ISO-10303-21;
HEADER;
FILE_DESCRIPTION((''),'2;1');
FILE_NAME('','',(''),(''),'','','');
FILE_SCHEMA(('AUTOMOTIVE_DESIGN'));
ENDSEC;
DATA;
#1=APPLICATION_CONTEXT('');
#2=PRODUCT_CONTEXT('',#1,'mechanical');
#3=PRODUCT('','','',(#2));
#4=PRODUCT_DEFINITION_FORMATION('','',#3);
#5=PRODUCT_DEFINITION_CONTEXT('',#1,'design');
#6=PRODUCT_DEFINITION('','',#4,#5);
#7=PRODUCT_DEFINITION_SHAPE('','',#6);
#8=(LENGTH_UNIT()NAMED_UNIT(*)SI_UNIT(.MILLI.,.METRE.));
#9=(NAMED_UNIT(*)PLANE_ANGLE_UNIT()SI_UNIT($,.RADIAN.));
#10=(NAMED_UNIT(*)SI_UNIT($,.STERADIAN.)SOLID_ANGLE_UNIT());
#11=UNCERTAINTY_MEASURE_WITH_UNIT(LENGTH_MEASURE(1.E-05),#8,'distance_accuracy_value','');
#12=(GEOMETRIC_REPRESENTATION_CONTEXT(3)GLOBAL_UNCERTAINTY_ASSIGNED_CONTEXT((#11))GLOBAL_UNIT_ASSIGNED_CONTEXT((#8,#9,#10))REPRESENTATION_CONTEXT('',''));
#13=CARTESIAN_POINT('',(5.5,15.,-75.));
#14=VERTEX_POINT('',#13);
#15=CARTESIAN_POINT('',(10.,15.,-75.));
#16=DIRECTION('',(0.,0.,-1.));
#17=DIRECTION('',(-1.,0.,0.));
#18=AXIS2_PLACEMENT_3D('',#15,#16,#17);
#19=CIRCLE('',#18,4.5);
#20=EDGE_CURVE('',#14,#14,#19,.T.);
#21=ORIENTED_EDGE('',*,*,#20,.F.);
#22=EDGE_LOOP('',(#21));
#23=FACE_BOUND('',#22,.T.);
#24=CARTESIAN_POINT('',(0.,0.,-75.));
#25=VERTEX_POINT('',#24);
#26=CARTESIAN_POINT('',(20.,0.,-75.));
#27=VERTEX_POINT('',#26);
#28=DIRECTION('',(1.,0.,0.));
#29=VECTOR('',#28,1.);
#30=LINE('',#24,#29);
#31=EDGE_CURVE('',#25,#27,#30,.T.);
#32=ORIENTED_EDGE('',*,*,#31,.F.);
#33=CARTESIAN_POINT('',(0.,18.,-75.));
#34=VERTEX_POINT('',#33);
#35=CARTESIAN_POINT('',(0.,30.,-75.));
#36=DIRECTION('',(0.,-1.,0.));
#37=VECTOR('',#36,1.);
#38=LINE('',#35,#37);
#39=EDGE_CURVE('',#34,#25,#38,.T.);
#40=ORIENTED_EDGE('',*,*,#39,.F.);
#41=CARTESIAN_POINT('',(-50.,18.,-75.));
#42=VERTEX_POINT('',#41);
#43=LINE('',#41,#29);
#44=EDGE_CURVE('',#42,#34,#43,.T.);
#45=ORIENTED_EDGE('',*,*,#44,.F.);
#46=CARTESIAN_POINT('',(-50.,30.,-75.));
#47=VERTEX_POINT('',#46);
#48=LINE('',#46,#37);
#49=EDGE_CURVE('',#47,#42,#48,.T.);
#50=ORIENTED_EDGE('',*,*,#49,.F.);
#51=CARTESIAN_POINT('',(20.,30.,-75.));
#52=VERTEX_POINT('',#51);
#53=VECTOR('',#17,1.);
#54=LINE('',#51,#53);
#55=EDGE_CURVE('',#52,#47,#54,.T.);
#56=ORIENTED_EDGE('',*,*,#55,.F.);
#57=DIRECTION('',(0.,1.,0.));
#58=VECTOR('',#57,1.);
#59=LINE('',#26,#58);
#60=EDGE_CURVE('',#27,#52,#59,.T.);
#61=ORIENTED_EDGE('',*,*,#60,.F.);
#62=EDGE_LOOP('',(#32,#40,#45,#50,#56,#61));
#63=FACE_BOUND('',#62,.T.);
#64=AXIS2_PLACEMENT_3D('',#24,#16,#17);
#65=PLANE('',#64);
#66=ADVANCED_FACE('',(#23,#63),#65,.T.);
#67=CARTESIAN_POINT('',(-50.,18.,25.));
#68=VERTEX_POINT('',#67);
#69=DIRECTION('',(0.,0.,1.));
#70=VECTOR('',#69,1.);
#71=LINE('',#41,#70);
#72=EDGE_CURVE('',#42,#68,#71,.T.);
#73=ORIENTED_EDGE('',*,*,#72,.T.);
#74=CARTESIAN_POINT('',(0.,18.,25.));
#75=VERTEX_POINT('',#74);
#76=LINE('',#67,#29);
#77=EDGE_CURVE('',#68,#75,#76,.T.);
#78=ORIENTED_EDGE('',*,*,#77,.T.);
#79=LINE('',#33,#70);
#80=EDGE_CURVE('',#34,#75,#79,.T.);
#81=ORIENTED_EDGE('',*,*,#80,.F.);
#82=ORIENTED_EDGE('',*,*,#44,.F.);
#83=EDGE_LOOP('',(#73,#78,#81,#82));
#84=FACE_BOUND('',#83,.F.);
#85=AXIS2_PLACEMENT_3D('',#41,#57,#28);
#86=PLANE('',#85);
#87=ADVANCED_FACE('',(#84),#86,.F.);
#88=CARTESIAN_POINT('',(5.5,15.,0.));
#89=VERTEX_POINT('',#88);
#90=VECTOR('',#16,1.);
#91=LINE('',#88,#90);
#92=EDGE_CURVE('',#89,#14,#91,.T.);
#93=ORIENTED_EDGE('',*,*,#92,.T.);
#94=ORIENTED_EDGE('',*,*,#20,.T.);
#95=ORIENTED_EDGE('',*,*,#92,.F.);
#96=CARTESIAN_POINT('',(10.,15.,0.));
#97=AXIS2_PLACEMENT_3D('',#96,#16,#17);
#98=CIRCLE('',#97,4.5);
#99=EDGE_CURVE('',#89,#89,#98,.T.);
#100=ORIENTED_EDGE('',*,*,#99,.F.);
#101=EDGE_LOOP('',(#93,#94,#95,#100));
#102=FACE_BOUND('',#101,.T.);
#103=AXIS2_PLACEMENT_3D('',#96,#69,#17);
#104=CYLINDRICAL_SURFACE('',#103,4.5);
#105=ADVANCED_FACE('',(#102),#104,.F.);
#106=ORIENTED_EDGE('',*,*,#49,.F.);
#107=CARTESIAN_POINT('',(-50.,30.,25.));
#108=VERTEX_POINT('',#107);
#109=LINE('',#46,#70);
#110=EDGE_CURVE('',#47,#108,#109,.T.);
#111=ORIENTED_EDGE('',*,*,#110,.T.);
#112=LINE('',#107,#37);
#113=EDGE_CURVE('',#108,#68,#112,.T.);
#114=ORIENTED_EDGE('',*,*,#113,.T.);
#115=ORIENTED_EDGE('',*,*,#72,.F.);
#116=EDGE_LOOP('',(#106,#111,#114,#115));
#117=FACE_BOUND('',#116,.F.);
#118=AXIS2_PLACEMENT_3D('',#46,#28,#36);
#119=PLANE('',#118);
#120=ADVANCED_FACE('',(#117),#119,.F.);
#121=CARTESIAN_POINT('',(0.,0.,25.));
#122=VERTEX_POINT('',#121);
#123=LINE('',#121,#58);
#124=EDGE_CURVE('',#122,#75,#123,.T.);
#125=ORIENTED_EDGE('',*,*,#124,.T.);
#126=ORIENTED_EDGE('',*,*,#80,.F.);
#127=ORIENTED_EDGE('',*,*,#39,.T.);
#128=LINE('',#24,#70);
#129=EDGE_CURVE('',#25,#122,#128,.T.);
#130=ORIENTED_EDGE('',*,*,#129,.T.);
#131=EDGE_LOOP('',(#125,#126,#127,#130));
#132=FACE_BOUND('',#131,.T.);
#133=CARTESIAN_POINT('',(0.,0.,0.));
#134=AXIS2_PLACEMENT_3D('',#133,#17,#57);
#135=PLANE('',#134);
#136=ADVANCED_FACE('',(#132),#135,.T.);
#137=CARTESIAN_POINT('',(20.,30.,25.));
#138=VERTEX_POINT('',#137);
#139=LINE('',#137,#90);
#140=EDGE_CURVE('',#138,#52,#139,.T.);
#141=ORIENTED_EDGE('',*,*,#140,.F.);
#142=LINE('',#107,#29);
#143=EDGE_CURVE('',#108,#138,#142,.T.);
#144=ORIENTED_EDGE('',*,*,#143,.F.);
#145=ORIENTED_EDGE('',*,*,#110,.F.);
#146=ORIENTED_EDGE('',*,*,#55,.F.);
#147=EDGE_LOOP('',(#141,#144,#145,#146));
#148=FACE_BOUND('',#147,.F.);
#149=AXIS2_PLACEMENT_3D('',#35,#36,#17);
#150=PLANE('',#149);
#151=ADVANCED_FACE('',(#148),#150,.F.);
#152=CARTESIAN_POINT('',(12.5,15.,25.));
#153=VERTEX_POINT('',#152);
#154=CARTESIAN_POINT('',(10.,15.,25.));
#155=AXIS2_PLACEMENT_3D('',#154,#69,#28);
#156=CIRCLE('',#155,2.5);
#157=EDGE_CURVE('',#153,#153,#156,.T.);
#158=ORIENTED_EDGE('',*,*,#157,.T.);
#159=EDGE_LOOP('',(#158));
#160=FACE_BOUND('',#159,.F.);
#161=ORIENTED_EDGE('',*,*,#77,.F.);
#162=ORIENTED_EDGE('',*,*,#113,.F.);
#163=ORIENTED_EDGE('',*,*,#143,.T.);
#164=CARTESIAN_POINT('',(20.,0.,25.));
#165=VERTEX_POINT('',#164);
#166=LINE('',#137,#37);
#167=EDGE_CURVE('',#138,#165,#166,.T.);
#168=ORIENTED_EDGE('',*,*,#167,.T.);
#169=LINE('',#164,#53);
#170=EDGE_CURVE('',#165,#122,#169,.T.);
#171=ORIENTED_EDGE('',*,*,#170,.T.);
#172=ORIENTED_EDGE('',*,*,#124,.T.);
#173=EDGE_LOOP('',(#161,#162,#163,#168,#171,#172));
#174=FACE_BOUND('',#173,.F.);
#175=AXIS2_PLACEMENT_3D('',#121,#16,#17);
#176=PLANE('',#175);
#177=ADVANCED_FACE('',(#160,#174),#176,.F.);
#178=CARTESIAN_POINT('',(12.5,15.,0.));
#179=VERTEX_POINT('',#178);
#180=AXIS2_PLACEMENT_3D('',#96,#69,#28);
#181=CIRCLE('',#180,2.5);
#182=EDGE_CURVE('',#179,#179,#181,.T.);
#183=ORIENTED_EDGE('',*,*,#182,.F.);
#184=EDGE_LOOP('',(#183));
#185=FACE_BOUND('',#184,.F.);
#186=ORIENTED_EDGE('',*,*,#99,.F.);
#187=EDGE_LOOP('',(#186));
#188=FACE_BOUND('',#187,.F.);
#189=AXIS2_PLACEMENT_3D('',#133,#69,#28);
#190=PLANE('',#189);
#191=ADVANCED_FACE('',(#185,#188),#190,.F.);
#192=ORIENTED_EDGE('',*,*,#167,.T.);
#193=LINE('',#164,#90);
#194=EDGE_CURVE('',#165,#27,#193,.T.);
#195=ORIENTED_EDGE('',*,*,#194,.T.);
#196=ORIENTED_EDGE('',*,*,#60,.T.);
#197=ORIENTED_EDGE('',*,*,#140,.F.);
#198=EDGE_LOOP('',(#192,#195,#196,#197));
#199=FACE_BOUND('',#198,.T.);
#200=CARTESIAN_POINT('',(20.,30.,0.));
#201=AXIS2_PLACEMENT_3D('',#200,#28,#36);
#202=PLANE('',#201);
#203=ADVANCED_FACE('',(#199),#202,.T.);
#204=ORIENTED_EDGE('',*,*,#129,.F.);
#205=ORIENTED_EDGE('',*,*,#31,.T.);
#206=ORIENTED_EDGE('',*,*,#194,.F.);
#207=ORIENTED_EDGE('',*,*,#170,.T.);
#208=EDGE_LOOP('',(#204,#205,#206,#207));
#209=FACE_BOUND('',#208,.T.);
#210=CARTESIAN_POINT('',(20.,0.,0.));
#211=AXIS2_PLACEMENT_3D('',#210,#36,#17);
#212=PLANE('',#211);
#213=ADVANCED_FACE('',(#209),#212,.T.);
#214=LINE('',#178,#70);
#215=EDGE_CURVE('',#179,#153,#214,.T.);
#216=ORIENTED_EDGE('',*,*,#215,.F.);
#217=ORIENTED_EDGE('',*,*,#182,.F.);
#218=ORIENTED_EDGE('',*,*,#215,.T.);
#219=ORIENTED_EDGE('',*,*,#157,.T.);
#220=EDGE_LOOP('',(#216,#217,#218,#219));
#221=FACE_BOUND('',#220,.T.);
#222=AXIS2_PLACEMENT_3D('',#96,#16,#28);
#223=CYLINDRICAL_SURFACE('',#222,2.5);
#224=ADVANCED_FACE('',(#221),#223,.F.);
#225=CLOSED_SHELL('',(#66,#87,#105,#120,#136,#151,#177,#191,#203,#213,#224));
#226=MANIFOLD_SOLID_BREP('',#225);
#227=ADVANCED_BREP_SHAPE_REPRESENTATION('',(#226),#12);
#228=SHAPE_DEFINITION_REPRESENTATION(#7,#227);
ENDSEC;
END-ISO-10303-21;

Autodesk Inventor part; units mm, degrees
ref_plane "YZ Plane" through (0, 0, 0) normal (1, 0, 0) x (0, 1, 0)
ref_plane "XZ Plane" through (0, 0, 0) normal (0, 1, 0) x (-1, 0, 0)
ref_plane "XY Plane" through (0, 0, 0) normal (0, 0, 1) x (1, 0, 0)
sketch "Sketch1" plane through (0, 0, 0) normal (0, 0, 1) x (1, 0, 0)
  line L0 (0, 30) -> (20, 30)
  line L1 (20, 30) -> (20, 0)
  line L2 (20, 0) -> (0, 0)
  line L3 (0, 0) -> (0, 30)
  circle A0 centre (10, 15) radius 2.5
  dimension "d0" = 30
  dimension "d1" = 20
  dimension "d5" = 10
  dimension "d6" = 15
  dimension "d7" = 5
extrude "Extrusion2" add sketch "Sketch1" along normal blind 25
sketch "Sketch5" plane through (0, 0, 0) normal (0, 0, -1) x (-1, 0, 0)
  line L0 (0, 0) -> (-20, 0) projected
  line L1 (-20, 0) -> (-20, 30) projected
  line L2 (0, 0) -> (-20, 0)
  line L3 (-20, 0) -> (-20, 30)
  line L4 (-20, 30) -> (0, 30)
  line L5 (0, 30) -> (0, 0)
  circle A0 centre (-10, 15) radius 2.5 projected
  circle A1 centre (-10, 15) radius 4.5
  dimension "d17" = 9
extrude "Extrusion5" add sketch "Sketch5" along normal blind 75 contours L0 L1 L4 L5
sketch "Sketch7" plane through (0, 0, -75) normal (0, 0, -1) x (-1, 0, 0)
  line L0 (-20, 30) -> (0, 30) projected
  line L1 (0, 30) -> (50, 30)
  line L2 (50, 30) -> (50, 18)
  line L3 (50, 18) -> (0, 18)
  line L4 (0, 18) -> (0, 30)
  point P0 (0, 0)
  dimension "d25" = 50
  dimension "d26" = 12
extrude "Extrusion7" add sketch "Sketch7" against normal blind 100
equation "\"d5\" = 0.5 * d1"
equation "\"d6\" = 0.5 * d0"
properties part number "Touchscreen mount L v05"
